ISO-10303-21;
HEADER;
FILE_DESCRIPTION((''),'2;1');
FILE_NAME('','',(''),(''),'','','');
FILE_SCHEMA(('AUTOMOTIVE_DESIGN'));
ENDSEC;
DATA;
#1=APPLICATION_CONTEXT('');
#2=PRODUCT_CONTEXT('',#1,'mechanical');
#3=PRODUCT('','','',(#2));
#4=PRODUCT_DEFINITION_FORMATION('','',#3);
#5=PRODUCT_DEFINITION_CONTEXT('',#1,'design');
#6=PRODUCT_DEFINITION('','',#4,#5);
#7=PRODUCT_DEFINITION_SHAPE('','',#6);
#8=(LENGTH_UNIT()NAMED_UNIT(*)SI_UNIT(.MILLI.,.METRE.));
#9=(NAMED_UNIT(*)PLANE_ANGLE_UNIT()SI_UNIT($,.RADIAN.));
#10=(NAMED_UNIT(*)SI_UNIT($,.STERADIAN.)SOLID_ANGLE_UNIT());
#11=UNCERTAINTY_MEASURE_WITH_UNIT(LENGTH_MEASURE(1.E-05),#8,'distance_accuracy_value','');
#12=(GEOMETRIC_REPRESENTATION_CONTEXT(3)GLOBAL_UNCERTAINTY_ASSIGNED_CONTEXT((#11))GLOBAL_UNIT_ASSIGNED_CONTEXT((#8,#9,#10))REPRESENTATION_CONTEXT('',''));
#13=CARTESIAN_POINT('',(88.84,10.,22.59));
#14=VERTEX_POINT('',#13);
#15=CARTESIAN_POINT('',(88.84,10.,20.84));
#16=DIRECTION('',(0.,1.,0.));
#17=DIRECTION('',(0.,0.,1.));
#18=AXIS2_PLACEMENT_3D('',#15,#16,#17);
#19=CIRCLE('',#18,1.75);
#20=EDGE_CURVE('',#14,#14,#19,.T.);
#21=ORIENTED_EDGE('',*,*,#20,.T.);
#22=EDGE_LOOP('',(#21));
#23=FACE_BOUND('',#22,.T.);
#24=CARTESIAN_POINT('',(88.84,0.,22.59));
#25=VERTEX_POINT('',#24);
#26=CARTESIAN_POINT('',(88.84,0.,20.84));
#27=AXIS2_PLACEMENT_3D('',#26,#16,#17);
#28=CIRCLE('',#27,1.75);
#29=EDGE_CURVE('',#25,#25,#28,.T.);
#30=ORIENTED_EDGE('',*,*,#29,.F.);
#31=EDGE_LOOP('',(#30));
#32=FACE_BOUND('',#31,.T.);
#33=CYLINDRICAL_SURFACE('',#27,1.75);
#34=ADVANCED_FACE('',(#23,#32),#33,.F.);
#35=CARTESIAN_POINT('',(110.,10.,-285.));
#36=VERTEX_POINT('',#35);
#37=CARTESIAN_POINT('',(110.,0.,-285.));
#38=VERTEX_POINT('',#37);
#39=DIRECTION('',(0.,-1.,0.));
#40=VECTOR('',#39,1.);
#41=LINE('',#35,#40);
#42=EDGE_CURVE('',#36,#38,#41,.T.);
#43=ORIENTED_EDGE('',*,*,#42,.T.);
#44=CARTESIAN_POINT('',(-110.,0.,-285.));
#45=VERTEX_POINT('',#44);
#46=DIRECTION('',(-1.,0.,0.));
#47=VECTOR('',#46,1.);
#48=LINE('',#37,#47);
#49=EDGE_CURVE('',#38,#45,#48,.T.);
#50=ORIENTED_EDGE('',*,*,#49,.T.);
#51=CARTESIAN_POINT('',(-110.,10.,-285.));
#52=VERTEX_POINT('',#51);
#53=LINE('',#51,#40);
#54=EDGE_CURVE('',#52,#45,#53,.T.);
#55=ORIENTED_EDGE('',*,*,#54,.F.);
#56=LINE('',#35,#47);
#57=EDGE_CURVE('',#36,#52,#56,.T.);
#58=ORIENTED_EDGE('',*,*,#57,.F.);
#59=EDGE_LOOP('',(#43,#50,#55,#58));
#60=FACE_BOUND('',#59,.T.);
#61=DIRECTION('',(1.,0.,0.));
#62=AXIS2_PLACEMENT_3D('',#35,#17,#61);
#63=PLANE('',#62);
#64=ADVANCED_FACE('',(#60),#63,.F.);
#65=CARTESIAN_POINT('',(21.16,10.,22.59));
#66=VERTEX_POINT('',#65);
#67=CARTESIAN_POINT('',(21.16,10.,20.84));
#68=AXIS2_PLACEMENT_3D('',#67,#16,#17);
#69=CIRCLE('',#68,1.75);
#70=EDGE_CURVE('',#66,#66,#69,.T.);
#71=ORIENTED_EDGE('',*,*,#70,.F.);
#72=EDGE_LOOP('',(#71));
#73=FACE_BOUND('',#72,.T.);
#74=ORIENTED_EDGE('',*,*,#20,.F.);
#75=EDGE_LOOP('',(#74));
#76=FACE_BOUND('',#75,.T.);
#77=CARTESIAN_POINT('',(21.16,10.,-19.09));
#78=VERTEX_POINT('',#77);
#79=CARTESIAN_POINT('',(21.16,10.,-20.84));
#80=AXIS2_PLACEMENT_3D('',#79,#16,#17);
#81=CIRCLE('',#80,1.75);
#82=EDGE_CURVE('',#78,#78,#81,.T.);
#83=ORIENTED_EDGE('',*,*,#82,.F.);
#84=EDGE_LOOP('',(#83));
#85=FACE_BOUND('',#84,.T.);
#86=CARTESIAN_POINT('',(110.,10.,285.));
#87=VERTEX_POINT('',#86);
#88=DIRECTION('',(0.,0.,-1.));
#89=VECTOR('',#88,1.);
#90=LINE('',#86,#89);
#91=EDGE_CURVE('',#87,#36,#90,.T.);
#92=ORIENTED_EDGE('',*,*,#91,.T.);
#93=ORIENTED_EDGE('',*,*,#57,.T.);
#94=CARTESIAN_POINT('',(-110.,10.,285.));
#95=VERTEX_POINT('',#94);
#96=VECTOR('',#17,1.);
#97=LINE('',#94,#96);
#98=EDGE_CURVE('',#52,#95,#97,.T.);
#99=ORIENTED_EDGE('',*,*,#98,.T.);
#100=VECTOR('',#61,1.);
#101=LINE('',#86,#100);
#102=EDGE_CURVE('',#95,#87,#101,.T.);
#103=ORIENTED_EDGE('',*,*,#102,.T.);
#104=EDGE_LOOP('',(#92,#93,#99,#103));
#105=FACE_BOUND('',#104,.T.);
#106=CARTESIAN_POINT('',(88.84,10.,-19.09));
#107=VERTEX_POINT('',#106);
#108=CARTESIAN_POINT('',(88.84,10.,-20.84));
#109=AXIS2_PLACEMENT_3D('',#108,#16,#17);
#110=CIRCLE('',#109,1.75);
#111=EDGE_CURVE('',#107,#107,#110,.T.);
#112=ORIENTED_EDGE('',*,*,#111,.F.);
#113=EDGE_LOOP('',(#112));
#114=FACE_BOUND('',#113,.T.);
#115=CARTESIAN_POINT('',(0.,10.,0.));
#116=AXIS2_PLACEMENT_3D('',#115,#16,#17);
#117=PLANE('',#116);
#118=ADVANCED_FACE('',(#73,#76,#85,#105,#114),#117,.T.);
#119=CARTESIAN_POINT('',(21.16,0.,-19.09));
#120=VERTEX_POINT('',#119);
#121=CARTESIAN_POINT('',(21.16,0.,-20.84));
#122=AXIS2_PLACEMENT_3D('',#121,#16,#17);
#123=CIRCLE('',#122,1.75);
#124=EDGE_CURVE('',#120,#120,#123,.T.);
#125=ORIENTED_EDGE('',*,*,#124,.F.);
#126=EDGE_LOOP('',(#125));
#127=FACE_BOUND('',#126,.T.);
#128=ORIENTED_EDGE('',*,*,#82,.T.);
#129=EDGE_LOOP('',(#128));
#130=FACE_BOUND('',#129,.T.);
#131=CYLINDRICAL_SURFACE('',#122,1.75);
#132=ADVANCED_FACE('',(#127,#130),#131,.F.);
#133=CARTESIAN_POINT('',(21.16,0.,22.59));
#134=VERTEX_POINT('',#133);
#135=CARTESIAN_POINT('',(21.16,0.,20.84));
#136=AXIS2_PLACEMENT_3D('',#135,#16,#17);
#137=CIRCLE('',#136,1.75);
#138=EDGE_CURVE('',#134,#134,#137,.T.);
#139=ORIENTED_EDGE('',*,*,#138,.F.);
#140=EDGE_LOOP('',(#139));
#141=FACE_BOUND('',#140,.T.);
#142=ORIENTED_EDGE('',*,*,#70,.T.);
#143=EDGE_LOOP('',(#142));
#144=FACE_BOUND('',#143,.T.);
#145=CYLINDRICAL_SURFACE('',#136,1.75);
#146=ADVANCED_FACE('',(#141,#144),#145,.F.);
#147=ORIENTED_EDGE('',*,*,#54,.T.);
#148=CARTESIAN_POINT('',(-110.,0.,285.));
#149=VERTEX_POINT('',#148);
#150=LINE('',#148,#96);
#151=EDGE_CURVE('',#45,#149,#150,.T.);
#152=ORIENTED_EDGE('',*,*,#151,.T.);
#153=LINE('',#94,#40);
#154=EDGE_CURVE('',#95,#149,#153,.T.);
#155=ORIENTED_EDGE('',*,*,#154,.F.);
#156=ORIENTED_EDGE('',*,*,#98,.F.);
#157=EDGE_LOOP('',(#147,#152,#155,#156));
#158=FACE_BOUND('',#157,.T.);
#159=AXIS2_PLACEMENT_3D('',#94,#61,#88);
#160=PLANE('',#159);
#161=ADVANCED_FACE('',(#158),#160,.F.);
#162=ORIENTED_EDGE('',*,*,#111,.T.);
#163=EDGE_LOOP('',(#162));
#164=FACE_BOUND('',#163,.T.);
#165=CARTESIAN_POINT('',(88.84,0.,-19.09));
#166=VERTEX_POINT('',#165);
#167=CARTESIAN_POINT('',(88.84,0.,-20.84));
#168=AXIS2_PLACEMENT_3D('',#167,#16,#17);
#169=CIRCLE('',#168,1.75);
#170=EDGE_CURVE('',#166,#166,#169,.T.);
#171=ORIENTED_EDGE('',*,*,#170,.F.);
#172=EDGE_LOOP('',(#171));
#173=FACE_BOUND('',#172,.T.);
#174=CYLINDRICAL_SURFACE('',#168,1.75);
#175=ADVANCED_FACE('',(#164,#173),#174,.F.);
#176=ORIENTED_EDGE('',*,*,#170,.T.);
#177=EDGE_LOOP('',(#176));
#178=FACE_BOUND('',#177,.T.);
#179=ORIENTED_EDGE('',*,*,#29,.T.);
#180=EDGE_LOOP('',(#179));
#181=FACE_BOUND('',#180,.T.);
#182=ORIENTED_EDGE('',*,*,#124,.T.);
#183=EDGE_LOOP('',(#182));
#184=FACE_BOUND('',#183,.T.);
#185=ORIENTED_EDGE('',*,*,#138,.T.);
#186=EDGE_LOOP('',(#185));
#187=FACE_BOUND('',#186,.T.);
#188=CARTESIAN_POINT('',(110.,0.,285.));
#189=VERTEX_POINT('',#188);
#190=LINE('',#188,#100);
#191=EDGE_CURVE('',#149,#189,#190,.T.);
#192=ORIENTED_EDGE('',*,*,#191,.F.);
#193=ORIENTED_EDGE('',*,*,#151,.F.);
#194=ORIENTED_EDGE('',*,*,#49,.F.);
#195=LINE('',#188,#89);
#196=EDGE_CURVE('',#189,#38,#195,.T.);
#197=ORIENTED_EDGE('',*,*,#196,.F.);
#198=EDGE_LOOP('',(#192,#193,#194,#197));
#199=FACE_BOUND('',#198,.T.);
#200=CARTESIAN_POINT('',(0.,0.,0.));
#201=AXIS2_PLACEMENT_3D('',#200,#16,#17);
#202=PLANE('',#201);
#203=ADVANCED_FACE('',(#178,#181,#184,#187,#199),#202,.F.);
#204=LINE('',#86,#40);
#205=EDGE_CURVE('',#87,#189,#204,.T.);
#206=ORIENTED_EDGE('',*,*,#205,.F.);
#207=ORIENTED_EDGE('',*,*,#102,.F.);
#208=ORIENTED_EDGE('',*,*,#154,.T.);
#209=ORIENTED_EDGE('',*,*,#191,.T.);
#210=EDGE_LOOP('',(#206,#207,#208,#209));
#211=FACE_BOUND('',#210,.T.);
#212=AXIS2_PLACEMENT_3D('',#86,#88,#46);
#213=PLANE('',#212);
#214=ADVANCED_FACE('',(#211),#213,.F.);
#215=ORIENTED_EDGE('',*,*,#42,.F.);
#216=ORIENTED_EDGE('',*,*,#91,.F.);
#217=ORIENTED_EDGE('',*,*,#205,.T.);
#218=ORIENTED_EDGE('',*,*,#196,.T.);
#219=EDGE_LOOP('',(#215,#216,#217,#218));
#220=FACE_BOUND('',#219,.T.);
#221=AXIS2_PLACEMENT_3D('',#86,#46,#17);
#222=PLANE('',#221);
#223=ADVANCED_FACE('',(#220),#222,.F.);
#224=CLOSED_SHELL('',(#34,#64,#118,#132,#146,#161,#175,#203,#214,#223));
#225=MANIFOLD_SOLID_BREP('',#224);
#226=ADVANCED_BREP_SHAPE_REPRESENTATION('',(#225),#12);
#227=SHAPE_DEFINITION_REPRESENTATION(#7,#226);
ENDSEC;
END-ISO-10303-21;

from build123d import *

# Parameters (mm, degrees)
SKETCH1_W           = 220
SKETCH1_H           = 570
BOSS_EXTRUDE1_DEPTH = 10
SKETCH2_R           = 1.75
CUT_EXTRUDE1_DEPTH  = 10


with BuildPart() as part:
    # Sketch1 → Boss-Extrude1 (new body)
    with BuildSketch(Plane(origin=(0, 0, 0), x_dir=(1, 0, 0), z_dir=(0, 1, 0))):
        Rectangle(SKETCH1_W, SKETCH1_H)
    extrude(amount=BOSS_EXTRUDE1_DEPTH)

    # Sketch2 → Cut-Extrude1 (cut)
    with BuildSketch(Plane(origin=(0, 10, 0), x_dir=(1, 0, 0), z_dir=(0, 1, 0))):
        with Locations((21.16, 20.84)):
            Circle(SKETCH2_R)
        with Locations((88.84, 20.84)):
            Circle(SKETCH2_R)
        with Locations((21.16, -20.84)):
            Circle(SKETCH2_R)
        with Locations((88.84, -20.84)):
            Circle(SKETCH2_R)
    extrude(amount=-CUT_EXTRUDE1_DEPTH, mode=Mode.SUBTRACT)


solid = part.part
